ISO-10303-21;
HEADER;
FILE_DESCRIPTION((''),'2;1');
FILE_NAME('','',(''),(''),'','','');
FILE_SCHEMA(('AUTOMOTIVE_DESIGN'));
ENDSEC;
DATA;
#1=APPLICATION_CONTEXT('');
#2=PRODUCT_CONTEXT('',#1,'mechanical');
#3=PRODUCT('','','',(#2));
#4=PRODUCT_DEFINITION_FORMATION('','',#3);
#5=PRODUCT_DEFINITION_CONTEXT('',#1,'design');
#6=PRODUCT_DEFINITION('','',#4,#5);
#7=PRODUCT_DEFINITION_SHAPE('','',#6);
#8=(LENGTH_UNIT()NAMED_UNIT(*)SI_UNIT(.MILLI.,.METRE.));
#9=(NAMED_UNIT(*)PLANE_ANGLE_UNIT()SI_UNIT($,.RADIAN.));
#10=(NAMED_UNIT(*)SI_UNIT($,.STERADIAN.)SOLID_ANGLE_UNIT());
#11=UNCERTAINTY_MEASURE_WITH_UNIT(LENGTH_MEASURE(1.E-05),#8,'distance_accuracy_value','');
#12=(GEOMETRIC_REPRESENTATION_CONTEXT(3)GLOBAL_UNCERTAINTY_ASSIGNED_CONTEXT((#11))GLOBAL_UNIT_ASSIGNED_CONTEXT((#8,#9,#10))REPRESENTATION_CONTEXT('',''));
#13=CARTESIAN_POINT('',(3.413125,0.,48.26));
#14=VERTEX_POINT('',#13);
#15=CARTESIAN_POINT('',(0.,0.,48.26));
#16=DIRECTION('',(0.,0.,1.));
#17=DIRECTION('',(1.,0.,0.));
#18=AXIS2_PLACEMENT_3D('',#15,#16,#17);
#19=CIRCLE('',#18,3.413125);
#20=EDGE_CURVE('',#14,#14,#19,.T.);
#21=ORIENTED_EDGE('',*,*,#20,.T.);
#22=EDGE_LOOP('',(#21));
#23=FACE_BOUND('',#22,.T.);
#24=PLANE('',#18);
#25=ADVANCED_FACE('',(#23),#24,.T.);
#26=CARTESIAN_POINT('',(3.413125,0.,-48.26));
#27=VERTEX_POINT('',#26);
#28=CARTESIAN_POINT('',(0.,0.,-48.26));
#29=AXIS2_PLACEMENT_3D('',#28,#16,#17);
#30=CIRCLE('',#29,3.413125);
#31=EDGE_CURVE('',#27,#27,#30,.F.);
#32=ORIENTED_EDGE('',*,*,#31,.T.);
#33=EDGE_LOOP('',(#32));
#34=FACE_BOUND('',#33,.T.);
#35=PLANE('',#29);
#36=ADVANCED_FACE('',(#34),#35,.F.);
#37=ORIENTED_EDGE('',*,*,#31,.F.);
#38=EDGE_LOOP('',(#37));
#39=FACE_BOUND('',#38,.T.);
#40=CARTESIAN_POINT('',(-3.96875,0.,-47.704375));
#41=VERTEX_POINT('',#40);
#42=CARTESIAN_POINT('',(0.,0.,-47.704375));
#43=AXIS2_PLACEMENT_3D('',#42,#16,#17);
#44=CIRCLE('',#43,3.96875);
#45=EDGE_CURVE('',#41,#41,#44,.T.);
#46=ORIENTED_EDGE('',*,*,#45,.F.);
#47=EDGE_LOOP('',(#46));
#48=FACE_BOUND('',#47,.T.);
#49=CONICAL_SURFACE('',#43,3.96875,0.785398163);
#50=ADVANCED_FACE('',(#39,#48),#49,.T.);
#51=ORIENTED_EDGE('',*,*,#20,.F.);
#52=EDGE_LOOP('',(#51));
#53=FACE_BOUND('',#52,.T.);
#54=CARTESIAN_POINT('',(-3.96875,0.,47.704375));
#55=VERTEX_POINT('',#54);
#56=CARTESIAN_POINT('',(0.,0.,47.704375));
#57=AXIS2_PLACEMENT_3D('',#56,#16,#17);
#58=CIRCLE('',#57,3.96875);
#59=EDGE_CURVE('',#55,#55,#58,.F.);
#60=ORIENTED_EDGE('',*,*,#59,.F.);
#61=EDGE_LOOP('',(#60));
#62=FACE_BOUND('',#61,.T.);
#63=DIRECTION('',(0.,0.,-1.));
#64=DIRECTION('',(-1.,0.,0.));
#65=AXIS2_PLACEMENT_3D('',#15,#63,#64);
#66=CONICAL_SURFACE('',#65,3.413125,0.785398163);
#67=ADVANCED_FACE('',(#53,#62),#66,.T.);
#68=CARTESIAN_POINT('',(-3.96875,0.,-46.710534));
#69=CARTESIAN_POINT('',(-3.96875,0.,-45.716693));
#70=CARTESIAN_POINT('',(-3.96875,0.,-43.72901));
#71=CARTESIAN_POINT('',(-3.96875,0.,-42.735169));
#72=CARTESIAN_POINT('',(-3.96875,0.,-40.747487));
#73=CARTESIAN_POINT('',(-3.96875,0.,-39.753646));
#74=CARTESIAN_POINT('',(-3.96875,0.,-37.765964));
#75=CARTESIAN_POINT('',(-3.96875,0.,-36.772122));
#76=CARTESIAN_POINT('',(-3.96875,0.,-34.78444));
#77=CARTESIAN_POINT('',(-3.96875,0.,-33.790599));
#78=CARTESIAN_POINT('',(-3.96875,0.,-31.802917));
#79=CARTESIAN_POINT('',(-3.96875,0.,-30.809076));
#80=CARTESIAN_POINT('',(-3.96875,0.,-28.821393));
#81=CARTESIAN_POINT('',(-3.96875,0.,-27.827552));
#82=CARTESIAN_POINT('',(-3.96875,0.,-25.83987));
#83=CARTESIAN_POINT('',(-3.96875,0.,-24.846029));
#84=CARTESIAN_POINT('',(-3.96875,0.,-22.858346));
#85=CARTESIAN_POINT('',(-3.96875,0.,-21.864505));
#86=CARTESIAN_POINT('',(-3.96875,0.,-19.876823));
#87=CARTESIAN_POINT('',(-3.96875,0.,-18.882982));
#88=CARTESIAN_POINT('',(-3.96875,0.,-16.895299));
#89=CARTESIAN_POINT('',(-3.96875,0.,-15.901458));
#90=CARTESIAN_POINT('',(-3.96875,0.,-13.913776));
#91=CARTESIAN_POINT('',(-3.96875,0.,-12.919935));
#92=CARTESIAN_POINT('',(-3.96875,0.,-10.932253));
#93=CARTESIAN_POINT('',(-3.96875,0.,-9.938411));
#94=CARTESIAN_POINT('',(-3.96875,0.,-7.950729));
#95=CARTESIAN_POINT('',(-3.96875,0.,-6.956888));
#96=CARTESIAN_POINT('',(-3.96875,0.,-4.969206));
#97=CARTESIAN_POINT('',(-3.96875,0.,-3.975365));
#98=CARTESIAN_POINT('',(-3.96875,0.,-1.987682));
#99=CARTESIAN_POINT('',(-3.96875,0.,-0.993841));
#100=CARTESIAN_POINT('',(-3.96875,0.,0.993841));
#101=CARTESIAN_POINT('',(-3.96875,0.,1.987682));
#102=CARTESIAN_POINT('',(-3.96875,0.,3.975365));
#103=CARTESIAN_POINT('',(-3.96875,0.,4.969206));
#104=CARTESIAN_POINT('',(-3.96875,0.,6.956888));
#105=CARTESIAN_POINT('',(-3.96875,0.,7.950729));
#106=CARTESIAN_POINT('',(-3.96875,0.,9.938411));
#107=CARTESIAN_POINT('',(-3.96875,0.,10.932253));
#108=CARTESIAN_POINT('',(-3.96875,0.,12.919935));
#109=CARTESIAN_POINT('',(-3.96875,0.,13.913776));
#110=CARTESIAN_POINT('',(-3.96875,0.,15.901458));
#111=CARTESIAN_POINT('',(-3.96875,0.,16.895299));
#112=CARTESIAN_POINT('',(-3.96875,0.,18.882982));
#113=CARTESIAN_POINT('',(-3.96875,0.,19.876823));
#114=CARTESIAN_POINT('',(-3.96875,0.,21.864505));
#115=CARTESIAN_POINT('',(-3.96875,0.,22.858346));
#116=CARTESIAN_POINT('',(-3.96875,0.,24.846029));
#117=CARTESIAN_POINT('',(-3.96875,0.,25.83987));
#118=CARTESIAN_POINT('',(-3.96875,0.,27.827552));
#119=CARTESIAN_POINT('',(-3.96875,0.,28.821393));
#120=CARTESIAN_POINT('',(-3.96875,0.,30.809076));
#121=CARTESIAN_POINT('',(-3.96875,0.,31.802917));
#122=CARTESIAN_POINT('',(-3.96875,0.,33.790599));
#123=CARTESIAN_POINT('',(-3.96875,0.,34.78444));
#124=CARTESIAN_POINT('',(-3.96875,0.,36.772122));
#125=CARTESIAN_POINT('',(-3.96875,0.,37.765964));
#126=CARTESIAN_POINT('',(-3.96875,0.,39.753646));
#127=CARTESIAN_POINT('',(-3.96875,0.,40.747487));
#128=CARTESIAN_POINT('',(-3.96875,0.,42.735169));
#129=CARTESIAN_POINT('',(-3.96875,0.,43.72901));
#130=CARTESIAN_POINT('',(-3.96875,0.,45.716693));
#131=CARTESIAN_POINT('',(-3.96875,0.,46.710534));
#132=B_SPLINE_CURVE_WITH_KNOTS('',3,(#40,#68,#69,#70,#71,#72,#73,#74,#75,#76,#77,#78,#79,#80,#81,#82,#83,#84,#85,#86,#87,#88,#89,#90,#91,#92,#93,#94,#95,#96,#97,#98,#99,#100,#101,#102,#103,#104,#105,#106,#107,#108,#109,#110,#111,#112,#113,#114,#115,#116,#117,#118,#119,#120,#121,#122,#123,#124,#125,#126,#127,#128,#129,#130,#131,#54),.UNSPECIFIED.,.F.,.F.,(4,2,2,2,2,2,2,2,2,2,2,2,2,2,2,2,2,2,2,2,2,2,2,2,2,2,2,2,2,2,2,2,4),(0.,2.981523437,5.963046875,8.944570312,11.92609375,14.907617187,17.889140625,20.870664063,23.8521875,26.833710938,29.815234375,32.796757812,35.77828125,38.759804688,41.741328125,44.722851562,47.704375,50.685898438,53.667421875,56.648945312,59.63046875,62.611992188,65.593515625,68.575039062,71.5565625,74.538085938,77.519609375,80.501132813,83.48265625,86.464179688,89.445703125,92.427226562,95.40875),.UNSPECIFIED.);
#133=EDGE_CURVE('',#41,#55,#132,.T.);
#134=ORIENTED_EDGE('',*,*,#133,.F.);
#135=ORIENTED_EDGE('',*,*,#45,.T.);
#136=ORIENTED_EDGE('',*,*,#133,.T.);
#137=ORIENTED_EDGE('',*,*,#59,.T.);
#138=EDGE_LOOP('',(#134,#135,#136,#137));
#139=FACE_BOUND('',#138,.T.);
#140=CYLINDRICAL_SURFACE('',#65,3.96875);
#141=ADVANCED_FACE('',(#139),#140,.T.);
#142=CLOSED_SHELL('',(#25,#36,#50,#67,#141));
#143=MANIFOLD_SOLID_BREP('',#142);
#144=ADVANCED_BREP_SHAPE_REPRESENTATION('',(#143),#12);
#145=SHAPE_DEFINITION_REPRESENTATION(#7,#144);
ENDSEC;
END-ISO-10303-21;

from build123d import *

# Parameters (mm, degrees)
BOSS_EXTRUDE1_DEPTH      = 48.26
BOSS_EXTRUDE1_DEPTH_BACK = 48.26
SKETCH3_R                = 3.96875
CHAMFER1_SIZE            = 0.555625


with BuildPart() as part:
    # Sketch3 → Boss-Extrude1 (new, two sides: drawn at the far end of the back side and taken through both)
    with BuildSketch(Plane.XY.offset(-BOSS_EXTRUDE1_DEPTH_BACK)):
        with Locations(Location((0, 0, 0), (0, 0, 180))):
            Circle(SKETCH3_R)
    extrude(amount=BOSS_EXTRUDE1_DEPTH + BOSS_EXTRUDE1_DEPTH_BACK)

    # Chamfer1
    chamfer1_edges = [part.edges().sort_by_distance(p)[0] for p in [
        (3.96875, 0, -48.26),
        (3.96875, 0, 48.26),
    ]]
    chamfer(chamfer1_edges, length=CHAMFER1_SIZE)


solid = part.part
